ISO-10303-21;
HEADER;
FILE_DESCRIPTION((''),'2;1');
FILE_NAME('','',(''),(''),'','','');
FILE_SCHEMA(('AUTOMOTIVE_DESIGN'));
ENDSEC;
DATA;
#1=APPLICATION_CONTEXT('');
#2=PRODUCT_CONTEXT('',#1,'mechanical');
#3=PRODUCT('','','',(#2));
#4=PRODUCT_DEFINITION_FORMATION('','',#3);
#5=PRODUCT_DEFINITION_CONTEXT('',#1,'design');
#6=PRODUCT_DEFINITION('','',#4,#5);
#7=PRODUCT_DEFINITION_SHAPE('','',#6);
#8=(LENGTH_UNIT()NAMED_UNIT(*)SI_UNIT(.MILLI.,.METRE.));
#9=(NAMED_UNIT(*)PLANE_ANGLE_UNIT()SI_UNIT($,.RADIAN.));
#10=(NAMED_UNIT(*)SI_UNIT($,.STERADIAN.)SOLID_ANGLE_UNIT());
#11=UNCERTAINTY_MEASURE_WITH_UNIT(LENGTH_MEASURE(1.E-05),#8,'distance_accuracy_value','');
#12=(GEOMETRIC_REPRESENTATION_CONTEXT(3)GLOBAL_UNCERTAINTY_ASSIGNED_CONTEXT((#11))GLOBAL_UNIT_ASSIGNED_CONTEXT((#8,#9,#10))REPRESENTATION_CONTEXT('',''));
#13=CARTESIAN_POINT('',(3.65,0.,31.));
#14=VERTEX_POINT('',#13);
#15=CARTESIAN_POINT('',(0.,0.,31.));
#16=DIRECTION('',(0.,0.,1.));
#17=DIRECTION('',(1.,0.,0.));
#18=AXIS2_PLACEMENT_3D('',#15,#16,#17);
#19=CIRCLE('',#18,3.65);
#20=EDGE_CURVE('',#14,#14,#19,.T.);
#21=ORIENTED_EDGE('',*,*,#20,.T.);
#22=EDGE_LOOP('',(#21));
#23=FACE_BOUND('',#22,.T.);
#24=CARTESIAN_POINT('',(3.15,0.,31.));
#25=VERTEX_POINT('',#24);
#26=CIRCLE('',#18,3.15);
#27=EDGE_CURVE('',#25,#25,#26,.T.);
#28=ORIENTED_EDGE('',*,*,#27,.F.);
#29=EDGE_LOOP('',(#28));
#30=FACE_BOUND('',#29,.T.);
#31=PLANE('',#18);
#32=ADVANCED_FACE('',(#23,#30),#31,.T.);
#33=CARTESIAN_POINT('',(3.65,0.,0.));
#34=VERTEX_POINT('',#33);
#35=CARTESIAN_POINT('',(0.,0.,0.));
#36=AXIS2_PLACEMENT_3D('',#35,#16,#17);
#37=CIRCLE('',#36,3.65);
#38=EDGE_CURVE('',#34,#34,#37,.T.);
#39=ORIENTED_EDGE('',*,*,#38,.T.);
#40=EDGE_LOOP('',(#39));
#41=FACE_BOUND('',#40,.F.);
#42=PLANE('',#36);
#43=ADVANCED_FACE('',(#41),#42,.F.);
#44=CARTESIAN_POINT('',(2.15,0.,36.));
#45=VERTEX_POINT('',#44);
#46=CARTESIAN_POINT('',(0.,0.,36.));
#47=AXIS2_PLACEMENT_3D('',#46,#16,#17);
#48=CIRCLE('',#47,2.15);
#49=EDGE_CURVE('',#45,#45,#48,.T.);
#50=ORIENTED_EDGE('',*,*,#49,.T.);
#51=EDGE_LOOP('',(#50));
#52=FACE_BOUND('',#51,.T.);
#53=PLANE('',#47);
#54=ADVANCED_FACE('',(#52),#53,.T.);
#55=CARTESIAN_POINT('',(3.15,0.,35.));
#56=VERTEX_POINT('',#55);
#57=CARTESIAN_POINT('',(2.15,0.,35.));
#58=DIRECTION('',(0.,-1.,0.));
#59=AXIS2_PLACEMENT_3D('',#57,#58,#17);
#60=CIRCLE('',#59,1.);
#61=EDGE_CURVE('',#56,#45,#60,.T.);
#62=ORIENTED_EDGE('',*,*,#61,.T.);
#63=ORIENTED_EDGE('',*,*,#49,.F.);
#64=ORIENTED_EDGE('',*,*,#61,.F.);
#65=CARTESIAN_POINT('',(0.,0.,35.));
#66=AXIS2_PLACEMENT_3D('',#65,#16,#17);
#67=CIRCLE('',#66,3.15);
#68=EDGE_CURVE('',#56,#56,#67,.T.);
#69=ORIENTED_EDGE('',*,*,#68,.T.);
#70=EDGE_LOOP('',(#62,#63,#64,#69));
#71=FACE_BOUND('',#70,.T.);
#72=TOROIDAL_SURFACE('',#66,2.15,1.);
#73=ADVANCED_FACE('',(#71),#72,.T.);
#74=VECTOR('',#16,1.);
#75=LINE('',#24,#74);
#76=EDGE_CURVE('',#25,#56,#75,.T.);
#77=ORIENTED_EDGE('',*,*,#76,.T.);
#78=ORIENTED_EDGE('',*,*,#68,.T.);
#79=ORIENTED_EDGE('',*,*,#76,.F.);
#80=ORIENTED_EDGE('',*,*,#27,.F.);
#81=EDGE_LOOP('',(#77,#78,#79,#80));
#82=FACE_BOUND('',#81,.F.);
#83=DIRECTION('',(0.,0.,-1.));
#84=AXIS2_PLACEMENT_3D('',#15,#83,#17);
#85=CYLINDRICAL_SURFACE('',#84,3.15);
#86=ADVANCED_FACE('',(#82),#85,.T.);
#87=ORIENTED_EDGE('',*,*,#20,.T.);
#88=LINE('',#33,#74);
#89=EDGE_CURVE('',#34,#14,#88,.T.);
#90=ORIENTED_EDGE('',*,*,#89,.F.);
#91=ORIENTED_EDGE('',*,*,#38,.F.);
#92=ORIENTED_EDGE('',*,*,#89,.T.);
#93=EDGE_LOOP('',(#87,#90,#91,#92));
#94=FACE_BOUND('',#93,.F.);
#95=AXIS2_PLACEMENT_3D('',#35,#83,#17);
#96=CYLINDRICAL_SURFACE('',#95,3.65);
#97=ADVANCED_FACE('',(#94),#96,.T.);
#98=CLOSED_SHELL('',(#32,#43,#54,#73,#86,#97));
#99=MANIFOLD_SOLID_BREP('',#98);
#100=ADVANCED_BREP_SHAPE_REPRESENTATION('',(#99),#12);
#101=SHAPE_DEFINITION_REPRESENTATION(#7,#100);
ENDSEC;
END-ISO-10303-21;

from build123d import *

# Parameters (mm, degrees)
SKETCH_R     = 3.65
PAD_DEPTH    = 31
SKETCH001_R  = 3.15
PAD001_DEPTH = 5
FILLET_R     = 1


with BuildPart() as part:
    # Sketch → Pad (new body)
    with BuildSketch(Plane.XY):
        Circle(SKETCH_R)
    extrude(amount=PAD_DEPTH)

    # Sketch001 (on Face3 of Pad) → Pad001 (join)
    with BuildSketch(Plane.XY.offset(31)):
        Circle(SKETCH001_R)
    extrude(amount=PAD001_DEPTH)

    # Fillet
    fillet_edges = [part.edges().sort_by_distance(p)[0] for p in [
        (-3.15, 0, 36),
    ]]
    fillet(fillet_edges, radius=FILLET_R)


solid = part.part
